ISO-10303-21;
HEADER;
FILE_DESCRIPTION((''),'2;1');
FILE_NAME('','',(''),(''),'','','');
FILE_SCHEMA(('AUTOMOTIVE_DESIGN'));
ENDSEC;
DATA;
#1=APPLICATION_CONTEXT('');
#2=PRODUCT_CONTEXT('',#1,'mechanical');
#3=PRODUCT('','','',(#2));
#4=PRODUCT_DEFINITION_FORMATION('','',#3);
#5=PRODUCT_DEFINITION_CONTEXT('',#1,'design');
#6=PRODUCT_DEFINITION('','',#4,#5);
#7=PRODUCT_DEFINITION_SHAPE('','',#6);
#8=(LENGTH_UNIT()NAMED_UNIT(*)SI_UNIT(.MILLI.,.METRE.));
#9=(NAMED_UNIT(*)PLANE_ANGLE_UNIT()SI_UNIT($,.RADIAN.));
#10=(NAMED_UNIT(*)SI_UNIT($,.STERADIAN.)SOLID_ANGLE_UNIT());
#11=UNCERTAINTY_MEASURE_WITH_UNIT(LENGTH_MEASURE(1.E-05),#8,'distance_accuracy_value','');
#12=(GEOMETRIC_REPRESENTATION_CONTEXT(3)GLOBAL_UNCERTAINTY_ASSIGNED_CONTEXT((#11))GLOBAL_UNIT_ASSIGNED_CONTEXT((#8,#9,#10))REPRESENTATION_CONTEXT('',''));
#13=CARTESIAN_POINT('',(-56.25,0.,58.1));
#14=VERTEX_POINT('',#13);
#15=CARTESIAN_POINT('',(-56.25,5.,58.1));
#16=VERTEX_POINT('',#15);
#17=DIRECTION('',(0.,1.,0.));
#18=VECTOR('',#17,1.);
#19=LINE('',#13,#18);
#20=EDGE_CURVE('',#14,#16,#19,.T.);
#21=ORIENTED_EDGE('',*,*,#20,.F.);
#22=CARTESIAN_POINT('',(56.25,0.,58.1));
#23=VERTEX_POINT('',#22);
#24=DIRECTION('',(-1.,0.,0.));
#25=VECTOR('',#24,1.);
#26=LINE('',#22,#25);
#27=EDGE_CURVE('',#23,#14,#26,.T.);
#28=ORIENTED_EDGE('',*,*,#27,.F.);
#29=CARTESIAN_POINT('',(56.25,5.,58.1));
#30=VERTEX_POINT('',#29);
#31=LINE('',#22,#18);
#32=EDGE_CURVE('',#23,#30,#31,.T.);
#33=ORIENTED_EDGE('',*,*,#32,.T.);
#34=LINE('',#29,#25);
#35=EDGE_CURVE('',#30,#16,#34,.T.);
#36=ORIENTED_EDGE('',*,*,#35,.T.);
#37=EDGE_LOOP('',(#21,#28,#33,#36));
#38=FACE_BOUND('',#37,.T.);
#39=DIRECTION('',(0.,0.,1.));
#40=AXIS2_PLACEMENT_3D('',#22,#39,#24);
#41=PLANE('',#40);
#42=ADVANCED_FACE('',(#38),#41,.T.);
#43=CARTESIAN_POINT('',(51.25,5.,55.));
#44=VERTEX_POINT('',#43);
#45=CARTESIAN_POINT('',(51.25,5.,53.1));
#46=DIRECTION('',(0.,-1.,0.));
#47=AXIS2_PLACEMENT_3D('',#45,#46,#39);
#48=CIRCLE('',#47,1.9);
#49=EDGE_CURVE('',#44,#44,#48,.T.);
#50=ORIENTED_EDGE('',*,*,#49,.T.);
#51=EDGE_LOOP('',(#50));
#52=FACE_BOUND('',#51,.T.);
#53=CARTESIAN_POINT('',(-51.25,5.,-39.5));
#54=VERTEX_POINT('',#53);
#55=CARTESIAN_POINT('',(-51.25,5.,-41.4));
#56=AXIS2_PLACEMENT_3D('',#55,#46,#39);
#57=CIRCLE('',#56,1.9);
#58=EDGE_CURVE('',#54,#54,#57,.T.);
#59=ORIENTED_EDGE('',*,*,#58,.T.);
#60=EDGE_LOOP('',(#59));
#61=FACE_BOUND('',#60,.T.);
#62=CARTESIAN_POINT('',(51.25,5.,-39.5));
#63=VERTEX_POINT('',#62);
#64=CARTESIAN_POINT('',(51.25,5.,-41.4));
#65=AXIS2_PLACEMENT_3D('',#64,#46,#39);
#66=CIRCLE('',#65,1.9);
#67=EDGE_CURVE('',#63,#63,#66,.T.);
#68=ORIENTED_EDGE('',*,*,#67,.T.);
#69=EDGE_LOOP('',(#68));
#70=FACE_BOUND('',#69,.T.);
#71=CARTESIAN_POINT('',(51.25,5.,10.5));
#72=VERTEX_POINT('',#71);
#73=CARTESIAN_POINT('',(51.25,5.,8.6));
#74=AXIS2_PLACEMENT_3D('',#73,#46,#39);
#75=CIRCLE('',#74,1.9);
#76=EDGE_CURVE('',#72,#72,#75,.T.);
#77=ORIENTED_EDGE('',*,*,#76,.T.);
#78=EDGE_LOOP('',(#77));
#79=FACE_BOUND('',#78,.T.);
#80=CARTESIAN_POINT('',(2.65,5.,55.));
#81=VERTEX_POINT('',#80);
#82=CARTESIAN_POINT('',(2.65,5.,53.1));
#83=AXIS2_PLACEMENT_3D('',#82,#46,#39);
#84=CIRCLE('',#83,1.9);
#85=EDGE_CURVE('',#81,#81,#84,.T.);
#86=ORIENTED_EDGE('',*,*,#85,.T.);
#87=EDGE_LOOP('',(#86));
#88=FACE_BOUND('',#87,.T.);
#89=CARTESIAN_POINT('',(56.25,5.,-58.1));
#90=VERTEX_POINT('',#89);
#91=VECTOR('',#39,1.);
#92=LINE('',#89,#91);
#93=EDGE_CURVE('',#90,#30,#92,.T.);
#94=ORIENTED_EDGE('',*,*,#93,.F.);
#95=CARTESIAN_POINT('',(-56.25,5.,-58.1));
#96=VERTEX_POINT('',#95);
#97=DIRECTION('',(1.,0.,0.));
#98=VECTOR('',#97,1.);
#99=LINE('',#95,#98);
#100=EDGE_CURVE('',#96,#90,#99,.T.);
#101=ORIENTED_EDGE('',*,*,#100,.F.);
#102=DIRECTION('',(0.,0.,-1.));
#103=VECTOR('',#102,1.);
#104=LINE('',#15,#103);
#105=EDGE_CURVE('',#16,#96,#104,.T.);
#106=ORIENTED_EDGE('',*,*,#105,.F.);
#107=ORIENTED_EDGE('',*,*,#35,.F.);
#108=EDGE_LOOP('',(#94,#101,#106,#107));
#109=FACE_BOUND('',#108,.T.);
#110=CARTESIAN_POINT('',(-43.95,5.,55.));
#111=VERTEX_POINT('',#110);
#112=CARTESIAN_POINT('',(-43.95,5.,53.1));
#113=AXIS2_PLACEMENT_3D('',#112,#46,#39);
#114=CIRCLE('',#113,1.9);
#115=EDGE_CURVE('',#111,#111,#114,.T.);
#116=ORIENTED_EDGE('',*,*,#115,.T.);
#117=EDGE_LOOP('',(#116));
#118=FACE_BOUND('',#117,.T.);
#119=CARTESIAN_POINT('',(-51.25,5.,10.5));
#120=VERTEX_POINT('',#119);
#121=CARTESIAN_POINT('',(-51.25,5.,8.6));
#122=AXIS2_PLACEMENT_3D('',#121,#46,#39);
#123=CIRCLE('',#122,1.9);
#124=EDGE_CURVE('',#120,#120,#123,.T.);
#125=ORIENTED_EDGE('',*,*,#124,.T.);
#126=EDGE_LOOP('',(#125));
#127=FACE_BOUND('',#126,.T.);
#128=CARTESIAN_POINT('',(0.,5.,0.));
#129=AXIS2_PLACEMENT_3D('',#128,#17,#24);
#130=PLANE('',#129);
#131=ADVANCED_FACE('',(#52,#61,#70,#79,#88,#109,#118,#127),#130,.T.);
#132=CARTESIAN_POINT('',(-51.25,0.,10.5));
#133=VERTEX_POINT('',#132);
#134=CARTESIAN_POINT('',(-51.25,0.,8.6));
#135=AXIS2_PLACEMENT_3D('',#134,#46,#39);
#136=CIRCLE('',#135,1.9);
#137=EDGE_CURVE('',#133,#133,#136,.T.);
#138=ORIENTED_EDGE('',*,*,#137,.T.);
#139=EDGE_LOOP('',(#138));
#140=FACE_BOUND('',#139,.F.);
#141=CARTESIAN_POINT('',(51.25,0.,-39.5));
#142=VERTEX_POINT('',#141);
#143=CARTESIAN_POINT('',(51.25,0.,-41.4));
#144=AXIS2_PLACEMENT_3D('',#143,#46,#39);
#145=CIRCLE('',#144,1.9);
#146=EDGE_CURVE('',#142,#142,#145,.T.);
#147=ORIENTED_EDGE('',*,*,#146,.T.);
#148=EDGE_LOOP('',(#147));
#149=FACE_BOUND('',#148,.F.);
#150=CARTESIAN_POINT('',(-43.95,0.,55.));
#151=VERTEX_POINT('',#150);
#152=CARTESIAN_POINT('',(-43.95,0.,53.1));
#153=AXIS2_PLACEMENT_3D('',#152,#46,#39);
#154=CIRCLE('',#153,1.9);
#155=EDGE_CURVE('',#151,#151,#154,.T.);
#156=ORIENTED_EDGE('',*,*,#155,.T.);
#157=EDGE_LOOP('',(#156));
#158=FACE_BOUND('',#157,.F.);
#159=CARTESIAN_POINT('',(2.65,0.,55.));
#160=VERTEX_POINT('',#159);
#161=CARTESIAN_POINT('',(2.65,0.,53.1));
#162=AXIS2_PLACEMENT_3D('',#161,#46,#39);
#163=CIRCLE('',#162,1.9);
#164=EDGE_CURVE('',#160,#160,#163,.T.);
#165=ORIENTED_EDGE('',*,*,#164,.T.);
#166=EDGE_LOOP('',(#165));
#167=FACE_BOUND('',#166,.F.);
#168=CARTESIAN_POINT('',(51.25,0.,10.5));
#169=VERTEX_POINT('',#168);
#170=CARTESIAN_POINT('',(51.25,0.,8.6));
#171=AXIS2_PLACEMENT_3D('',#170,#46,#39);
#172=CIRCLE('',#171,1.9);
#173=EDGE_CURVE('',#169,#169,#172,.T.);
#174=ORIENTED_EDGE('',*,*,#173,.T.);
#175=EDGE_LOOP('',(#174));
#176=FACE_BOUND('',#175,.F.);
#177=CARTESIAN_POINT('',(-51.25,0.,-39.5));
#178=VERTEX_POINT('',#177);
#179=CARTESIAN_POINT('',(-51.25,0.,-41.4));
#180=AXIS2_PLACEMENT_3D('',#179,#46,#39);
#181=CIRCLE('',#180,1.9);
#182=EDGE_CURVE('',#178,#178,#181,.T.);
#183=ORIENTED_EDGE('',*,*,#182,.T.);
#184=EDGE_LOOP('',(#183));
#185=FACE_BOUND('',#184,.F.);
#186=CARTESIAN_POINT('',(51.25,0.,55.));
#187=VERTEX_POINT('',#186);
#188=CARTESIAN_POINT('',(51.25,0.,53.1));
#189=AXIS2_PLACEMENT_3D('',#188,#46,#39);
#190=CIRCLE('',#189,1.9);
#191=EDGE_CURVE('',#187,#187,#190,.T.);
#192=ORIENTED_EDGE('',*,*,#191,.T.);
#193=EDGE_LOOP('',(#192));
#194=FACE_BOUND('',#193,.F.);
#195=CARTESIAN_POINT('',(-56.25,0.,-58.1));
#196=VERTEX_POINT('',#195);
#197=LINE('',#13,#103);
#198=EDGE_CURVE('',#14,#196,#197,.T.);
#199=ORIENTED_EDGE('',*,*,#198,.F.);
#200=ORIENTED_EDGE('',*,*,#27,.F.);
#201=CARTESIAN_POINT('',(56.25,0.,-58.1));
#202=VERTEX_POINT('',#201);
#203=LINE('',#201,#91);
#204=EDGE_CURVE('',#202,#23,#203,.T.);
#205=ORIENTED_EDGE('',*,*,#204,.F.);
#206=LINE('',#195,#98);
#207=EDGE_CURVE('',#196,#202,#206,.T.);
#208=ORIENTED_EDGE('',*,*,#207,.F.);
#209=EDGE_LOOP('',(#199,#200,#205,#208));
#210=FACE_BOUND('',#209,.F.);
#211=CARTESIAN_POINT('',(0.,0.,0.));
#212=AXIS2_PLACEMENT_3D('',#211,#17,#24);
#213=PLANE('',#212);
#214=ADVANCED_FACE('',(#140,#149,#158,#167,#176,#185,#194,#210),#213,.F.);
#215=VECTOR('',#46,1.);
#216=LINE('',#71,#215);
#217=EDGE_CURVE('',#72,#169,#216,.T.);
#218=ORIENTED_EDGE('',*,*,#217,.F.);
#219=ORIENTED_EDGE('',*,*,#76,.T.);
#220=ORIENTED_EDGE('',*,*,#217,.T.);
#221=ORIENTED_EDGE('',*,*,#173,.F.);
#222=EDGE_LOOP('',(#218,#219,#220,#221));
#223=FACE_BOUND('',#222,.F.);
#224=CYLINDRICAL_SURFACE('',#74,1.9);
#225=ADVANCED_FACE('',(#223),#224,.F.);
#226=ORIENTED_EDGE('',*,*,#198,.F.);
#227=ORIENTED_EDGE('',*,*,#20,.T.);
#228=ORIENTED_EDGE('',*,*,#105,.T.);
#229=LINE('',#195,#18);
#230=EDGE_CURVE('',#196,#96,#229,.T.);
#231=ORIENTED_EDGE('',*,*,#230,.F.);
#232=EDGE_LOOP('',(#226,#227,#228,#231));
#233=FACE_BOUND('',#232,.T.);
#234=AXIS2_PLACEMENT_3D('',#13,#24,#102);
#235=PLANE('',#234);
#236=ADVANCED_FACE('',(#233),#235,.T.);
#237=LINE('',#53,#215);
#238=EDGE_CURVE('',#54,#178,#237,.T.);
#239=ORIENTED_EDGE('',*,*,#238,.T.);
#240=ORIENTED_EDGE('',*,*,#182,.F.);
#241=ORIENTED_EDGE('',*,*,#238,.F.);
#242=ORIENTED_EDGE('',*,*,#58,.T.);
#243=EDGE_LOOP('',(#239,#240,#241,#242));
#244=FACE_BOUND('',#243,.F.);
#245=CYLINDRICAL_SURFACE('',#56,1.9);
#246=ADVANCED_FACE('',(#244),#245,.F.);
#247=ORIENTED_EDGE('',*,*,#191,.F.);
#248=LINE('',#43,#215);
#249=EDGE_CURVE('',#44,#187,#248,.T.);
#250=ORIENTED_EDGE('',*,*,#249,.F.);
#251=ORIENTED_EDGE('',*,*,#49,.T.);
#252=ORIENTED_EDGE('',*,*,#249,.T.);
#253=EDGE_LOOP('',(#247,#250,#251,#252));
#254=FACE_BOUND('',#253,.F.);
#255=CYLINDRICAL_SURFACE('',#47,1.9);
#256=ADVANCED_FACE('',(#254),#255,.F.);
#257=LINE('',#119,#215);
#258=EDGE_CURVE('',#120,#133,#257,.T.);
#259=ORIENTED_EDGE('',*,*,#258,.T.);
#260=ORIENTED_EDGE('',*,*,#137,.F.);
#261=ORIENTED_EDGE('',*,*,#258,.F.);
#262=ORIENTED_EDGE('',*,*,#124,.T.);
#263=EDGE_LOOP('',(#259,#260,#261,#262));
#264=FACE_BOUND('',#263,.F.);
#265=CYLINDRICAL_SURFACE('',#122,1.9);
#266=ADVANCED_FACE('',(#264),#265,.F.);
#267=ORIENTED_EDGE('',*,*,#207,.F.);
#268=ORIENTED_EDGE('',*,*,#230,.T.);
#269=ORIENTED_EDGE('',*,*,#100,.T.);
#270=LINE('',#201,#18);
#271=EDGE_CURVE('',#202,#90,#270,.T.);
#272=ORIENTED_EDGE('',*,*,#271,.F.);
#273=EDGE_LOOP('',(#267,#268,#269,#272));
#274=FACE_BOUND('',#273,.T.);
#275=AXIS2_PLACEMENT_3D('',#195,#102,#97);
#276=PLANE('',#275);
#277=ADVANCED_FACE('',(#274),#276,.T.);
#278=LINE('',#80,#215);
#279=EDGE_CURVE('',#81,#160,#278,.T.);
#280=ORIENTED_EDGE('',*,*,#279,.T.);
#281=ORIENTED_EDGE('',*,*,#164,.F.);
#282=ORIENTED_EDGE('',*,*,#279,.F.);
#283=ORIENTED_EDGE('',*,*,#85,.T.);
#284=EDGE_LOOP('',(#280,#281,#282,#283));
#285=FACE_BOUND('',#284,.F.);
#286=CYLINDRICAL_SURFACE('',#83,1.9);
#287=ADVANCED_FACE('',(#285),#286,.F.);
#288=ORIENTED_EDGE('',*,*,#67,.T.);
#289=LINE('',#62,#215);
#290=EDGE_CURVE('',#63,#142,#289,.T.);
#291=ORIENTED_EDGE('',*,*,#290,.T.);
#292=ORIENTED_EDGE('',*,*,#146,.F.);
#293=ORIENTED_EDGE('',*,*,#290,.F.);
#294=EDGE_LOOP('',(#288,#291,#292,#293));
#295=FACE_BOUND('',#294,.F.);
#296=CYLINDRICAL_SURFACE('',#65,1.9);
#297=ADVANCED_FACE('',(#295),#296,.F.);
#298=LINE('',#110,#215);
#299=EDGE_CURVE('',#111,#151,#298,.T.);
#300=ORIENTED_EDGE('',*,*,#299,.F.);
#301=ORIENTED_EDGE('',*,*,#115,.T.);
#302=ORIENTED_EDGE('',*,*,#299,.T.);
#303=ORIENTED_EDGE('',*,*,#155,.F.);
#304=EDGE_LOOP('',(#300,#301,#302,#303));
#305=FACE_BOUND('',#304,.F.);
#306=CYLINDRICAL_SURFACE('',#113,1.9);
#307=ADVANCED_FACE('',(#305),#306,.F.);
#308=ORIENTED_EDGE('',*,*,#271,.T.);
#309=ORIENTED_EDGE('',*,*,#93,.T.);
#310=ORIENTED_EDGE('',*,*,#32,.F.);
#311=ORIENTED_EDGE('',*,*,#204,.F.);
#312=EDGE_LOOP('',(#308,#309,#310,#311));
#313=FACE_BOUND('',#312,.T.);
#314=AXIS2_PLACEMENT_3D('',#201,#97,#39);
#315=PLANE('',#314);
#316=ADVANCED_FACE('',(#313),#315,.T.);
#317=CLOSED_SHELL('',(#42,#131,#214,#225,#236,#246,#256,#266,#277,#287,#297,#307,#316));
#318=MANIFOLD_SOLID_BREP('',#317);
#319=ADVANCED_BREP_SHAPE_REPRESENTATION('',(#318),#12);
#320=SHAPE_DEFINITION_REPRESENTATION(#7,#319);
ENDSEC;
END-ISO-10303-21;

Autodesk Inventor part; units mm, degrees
ref_plane "YZ Plane" through (0, 0, 0) normal (1, 0, 0) x (0, 1, 0)
ref_plane "XZ Plane" through (0, 0, 0) normal (0, 1, 0) x (-1, 0, 0)
ref_plane "XY Plane" through (0, 0, 0) normal (0, 0, 1) x (1, 0, 0)
sketch "Sketch1" plane through (0, 0, 0) normal (0, 1, 0) x (-1, 0, 0)
  line L0 (-56.25, 58.1) -> (56.25, 58.1)
  line L1 (56.25, 58.1) -> (56.25, -58.1)
  line L2 (56.25, -58.1) -> (-56.25, -58.1)
  line L3 (-56.25, -58.1) -> (-56.25, 58.1)
  line L4 (-56.25, 58.1) -> (56.25, -58.1) construction
  line L5 (56.25, 58.1) -> (-56.25, -58.1) construction
  point P0 (0, 0)
  dimension "d0" = 112.5
  dimension "d1" = 116.2
extrude "Extrusion1" add sketch "Sketch1" along normal blind 5
sketch "Sketch3" plane through (0, 5, 0) normal (0, 1, 0) x (1, 0, 0)
  line L0 (-67.6879, -53.1) -> (61.6788, -53.1) construction
  line L1 (51.25, 64.0604) -> (51.25, -69.5663) construction
  line L2 (-51.25, 74.598) -> (-51.25, -75.8441) construction
  line L3 (-56.25, 58.1) -> (-56.25, -58.1) construction
  line L4 (56.25, -58.1) -> (56.25, 58.1) construction
  line L5 (-56.25, -58.1) -> (56.25, -58.1) construction
  line L6 (-98.6283, 41.4) -> (135.891, 41.4) construction
  line L7 (-92.1264, -8.6) -> (97.1034, -8.6) construction
  line L8 (56.25, 58.1) -> (-56.25, 58.1) construction
  point P0 (0, 0)
  point P1 (51.25, 41.4)
  point P2 (51.25, -8.6)
  point P3 (-51.25, 41.4)
  point P4 (-51.25, -8.6)
  point P5 (-43.95, -53.1)
  point P6 (2.65, -53.1)
  point P7 (51.25, -53.1)
  dimension "d21" = 5
  dimension "d22" = 5
  dimension "d23" = 5
  dimension "d34" = 12.3
  dimension "d35" = 58.9
  dimension "d36" = 107.5
  dimension "d37" = 49.5
  dimension "d38" = 99.5
hole "Hole1" at (51.25, 5, -41.4) at (51.25, 5, 8.6) at (-51.25, 5, -41.4) at (-51.25, 5, 8.6) at (-43.95, 5, 53.1) at (2.65, 5, 53.1) at (51.25, 5, 53.1) direction (0, -1, 0) diameter 3.8 end through all
properties part number "Bottle Base Plate"
